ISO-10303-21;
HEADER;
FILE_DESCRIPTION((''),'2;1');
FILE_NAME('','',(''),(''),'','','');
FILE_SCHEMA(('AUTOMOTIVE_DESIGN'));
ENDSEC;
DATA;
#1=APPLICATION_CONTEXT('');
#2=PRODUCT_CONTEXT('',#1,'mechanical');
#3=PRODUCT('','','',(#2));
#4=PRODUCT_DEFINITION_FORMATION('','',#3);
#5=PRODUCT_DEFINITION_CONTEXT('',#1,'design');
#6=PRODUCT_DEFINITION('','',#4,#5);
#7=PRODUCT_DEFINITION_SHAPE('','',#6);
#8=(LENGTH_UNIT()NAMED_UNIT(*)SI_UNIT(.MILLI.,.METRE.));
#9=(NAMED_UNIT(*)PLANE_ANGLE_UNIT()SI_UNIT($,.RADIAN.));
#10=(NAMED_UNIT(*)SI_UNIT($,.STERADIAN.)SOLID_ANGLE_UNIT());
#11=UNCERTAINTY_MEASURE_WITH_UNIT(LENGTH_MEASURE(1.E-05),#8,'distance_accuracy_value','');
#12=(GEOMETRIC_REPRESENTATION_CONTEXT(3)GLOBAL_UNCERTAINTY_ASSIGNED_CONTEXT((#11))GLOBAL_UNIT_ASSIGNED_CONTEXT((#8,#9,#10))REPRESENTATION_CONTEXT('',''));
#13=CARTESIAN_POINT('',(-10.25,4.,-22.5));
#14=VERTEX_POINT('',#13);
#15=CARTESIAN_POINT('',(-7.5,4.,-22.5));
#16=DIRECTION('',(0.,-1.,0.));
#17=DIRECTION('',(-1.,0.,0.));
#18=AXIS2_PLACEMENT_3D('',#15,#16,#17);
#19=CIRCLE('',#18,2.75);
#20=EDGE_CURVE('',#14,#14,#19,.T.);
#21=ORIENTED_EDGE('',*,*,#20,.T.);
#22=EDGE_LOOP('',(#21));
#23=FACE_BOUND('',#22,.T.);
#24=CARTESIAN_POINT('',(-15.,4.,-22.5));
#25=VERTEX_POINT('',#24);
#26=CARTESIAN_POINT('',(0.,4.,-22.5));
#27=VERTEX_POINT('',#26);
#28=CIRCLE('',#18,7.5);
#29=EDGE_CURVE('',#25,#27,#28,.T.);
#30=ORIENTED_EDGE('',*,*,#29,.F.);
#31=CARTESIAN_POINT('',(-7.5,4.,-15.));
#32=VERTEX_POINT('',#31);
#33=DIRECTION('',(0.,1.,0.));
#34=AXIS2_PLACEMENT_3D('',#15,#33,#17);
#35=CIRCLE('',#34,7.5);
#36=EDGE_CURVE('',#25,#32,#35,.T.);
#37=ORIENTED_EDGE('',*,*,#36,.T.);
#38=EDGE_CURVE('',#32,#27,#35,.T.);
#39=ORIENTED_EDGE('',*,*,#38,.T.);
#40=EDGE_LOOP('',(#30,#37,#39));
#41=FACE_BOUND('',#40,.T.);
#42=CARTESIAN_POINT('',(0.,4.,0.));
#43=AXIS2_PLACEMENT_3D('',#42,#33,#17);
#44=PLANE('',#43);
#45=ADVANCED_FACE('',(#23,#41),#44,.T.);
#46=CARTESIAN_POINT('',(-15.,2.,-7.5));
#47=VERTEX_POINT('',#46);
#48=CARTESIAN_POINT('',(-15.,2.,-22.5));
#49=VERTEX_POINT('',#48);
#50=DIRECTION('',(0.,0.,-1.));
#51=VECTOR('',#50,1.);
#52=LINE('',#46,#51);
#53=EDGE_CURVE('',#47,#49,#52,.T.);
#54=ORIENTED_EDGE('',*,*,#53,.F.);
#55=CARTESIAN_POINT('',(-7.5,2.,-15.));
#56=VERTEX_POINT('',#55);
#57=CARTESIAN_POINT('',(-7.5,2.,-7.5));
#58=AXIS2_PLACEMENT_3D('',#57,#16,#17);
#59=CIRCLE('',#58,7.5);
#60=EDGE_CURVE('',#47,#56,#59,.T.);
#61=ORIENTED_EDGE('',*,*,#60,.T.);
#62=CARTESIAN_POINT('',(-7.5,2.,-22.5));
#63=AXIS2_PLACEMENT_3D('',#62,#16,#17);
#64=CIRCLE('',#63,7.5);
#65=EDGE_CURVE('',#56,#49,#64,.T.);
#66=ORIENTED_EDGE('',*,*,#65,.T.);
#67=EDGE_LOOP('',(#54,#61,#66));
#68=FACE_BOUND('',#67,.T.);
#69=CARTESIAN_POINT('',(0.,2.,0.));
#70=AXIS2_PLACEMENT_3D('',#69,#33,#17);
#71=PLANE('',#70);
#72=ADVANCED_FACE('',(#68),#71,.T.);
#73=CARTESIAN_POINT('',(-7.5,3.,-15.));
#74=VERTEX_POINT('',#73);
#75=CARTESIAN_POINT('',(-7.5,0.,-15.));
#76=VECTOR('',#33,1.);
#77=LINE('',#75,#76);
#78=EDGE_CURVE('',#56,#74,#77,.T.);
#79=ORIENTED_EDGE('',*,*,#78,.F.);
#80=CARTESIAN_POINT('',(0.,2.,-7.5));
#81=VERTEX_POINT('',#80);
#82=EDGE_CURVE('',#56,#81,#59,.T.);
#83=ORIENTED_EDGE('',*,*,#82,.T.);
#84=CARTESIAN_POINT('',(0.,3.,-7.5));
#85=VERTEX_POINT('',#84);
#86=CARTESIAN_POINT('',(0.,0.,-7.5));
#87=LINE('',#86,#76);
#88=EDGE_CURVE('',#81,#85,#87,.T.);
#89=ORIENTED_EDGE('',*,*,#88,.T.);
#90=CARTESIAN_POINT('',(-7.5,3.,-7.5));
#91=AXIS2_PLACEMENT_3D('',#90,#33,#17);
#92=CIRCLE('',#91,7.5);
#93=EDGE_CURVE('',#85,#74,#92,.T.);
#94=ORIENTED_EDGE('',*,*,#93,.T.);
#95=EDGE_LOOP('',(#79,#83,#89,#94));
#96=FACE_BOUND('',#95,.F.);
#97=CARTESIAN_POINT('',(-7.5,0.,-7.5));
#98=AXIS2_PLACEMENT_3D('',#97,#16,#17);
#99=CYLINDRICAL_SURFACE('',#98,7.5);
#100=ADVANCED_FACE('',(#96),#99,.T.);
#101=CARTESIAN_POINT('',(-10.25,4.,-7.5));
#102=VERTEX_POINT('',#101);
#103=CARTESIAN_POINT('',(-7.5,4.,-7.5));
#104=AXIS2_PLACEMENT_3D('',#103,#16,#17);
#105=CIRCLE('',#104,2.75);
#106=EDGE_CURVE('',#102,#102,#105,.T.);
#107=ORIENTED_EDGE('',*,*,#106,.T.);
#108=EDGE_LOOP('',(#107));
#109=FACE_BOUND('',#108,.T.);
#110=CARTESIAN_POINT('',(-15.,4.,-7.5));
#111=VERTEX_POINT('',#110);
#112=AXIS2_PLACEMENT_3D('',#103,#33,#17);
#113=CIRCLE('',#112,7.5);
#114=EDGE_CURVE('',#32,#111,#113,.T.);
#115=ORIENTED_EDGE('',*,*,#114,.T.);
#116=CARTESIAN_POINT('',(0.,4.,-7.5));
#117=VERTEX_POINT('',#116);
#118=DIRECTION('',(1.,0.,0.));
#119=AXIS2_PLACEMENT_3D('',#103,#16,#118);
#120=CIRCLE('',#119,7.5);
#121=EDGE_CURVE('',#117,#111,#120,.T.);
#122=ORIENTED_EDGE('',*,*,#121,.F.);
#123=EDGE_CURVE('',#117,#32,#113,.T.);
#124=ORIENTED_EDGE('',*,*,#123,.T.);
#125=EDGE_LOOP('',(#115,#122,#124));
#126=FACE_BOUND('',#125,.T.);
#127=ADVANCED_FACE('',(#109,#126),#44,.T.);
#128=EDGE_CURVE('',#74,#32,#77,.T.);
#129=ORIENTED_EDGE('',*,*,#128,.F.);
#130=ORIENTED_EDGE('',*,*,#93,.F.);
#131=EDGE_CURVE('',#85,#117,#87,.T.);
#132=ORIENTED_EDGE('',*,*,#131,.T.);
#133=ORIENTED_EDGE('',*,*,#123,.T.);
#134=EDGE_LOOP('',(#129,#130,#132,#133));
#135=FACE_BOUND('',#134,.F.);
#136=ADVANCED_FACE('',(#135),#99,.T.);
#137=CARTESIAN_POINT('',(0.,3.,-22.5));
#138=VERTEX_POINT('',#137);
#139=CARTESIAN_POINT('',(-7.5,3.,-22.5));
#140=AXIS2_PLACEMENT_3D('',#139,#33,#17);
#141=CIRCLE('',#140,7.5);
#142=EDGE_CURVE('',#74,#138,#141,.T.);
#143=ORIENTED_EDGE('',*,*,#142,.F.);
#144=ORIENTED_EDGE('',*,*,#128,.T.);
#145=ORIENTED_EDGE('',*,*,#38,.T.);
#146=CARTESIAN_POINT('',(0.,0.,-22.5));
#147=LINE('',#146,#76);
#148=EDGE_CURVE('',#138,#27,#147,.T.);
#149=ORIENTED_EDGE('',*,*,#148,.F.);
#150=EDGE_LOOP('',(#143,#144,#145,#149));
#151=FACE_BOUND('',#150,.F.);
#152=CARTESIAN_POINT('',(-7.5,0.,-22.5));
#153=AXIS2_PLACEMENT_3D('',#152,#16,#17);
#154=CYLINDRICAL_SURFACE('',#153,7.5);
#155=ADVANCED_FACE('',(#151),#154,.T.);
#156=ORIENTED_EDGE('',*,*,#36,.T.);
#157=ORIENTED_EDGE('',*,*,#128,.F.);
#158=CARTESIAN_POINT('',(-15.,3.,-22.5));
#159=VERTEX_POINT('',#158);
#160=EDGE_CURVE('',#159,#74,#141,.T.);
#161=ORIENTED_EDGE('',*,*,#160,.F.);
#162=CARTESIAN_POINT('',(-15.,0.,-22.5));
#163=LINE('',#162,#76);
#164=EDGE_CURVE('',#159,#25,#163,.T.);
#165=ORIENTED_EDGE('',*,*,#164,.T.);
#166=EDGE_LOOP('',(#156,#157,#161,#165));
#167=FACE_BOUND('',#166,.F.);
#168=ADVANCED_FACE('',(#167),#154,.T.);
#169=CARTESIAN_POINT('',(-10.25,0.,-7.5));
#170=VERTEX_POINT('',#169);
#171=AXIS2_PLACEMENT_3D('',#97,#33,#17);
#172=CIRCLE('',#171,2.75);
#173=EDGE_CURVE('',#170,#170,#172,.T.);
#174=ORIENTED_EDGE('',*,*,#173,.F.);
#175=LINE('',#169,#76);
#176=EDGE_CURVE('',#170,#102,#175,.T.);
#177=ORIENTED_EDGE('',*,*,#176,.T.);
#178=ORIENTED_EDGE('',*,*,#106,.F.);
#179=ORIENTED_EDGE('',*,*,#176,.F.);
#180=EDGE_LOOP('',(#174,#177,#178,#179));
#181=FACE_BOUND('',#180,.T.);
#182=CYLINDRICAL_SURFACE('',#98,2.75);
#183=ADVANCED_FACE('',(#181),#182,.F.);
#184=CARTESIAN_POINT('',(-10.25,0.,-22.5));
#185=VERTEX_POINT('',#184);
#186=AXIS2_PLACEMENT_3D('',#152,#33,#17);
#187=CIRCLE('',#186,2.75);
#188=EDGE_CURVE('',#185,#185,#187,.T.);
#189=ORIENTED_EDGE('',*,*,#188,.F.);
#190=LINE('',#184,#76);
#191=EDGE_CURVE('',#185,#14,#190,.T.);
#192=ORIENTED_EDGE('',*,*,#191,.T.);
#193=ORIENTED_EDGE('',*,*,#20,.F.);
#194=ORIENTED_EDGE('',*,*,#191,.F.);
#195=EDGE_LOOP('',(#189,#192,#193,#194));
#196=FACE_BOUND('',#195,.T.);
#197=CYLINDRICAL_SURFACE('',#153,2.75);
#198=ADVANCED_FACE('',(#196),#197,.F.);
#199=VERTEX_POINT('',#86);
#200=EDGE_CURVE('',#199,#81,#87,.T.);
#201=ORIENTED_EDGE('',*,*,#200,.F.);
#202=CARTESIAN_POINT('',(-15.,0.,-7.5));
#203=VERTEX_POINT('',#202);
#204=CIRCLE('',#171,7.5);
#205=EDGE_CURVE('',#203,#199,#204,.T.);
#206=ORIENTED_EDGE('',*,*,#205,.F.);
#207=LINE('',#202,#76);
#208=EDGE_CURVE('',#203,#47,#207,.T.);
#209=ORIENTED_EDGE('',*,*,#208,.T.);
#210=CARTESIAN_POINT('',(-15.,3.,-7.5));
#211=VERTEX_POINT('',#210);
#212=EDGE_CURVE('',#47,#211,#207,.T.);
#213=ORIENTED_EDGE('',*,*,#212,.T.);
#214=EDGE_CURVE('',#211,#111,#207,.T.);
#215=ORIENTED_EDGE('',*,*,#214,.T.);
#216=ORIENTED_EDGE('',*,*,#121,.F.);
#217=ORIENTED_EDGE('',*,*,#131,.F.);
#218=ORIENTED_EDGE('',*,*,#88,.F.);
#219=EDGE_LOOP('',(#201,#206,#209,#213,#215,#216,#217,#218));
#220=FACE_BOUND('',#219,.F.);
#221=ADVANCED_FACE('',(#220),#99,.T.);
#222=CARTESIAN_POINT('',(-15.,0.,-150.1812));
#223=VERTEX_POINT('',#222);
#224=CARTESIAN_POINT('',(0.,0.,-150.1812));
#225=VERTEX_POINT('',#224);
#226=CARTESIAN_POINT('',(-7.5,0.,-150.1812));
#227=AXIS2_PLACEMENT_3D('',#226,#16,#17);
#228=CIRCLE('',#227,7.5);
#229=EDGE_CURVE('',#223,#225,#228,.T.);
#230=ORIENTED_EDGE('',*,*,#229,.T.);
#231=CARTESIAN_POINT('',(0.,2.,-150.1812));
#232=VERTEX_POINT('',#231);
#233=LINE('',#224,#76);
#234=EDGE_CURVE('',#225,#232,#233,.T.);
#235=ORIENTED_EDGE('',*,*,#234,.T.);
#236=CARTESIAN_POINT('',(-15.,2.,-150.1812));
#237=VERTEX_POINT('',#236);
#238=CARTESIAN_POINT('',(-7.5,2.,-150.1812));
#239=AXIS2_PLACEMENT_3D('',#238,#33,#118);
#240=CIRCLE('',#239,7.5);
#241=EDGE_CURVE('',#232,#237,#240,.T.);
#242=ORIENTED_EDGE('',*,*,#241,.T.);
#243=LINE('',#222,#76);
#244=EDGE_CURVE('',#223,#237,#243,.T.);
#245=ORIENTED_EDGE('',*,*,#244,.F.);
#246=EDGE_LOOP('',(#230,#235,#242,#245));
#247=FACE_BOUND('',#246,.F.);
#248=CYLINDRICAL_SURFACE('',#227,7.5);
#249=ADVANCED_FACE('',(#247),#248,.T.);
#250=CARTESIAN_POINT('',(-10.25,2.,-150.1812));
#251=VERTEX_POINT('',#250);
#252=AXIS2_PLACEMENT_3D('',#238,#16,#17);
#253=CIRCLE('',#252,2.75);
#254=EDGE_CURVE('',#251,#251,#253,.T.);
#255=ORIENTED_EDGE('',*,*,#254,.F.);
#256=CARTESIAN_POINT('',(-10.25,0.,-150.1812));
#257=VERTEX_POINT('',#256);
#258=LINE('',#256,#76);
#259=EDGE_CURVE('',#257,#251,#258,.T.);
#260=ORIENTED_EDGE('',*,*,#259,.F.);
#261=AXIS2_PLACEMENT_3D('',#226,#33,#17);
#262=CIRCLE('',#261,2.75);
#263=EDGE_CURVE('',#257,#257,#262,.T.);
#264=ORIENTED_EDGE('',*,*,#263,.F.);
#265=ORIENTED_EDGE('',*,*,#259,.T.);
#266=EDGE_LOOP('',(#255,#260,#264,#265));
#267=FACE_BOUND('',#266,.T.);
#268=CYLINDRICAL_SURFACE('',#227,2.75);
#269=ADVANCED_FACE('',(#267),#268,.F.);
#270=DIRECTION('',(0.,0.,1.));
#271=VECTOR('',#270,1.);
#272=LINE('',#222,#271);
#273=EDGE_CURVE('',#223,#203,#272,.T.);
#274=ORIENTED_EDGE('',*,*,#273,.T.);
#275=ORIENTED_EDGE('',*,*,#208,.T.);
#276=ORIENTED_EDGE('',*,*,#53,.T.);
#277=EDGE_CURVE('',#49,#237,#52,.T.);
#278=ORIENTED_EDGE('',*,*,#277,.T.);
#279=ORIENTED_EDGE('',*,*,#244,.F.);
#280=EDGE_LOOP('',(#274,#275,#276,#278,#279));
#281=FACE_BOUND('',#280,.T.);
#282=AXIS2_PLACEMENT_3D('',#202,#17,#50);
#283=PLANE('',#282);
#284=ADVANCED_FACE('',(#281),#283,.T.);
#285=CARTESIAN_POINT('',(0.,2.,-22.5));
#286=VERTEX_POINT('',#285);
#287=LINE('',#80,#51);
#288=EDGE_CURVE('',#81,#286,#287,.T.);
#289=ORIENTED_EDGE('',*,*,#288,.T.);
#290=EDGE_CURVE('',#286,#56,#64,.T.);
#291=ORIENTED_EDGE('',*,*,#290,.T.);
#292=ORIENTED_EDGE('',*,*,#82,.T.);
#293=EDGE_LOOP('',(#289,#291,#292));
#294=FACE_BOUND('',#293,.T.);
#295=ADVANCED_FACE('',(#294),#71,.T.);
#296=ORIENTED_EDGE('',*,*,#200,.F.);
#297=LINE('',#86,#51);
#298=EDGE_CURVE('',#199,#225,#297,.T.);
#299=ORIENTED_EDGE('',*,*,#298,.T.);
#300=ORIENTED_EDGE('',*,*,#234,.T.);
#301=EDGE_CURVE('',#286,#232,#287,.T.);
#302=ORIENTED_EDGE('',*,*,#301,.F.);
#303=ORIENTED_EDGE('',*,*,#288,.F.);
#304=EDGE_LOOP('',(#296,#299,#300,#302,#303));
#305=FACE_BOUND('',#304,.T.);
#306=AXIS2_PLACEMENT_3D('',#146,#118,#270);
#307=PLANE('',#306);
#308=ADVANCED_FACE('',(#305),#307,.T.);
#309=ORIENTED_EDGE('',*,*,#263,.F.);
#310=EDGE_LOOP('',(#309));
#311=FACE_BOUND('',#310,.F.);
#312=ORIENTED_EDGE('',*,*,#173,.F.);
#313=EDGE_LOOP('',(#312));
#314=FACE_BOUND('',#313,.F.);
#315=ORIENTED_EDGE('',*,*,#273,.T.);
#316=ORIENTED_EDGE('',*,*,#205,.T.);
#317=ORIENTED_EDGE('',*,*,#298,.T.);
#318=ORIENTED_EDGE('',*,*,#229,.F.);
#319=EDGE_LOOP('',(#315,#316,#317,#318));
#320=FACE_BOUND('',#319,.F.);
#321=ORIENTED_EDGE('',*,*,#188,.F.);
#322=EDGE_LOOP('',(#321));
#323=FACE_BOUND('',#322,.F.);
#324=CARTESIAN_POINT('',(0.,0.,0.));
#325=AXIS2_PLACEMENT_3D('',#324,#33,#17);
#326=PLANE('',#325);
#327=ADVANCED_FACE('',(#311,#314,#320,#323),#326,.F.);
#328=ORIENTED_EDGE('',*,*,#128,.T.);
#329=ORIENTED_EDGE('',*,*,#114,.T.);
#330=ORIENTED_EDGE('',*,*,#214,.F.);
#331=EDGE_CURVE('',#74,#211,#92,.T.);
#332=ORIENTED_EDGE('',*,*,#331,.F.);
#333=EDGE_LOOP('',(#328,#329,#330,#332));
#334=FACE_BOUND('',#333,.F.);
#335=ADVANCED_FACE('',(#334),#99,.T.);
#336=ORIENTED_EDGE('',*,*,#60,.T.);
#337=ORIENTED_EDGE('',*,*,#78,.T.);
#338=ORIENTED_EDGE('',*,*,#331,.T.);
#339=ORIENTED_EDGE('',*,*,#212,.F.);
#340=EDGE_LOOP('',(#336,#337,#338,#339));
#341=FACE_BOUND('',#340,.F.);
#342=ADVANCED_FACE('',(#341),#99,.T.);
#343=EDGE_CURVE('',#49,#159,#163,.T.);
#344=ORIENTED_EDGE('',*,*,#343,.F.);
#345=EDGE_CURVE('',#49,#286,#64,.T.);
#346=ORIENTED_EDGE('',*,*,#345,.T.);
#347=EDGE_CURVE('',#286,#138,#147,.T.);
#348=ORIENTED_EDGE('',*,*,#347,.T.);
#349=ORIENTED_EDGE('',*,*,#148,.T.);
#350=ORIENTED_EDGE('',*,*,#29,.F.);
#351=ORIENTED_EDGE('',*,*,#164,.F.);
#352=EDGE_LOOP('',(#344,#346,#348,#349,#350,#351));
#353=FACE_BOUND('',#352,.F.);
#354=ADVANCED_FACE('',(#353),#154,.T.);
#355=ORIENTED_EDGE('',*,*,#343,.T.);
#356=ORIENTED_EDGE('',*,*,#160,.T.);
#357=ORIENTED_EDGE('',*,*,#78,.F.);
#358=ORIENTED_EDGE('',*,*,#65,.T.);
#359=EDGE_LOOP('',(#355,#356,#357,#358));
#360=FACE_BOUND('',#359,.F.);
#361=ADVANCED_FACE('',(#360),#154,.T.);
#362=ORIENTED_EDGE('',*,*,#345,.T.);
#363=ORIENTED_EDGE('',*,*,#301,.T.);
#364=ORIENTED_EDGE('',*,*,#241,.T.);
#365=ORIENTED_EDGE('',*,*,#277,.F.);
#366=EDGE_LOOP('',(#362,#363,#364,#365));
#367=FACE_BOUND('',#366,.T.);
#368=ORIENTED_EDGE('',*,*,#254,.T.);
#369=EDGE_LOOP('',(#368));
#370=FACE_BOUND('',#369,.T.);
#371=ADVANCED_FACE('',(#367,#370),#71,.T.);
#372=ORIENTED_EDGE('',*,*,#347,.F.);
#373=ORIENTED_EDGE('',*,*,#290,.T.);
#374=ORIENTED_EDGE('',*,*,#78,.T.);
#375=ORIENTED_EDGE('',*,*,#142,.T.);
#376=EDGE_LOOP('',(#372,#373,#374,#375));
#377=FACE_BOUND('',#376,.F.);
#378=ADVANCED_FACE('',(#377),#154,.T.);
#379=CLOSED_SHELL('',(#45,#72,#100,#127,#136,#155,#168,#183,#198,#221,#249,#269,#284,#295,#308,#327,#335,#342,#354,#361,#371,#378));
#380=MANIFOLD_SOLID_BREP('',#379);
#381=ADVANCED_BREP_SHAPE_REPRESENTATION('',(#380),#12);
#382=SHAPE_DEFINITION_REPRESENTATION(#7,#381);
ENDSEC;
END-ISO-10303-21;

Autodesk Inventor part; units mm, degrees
ref_plane "YZ Plane" through (0, 0, 0) normal (1, 0, 0) x (0, 1, 0)
ref_plane "XZ Plane" through (0, 0, 0) normal (0, 1, 0) x (-1, 0, 0)
ref_plane "XY Plane" through (0, 0, 0) normal (0, 0, 1) x (1, 0, 0)
sketch "Sketch1" plane through (0, 0, 0) normal (0, 1, 0) x (-1, 0, 0)
  line L0 (0, 0) -> (15, 0)
  line L1 (15, 0) -> (15, -30)
  line L2 (15, -30) -> (0, -30)
  line L3 (0, -30) -> (0, 0)
  line L4 (7.5, 0) -> (7.5, -157.6812)
  line L5 (7.5, 0) -> (165.1812, 0) construction
  line L6 (7.5, -157.6812) -> (7.5, -150.1812)
  circle A0 centre (7.5, -150.1812) radius 7.5
  circle A1 centre (7.5, -7.5) radius 7.5
  circle A2 centre (7.5, -22.5) radius 7.5
  circle A3 centre (7.5, -7.5) radius 2.75
  line L7 (15, 0) -> (0, 0)
  line L8 (0, 0) -> (0, -157.6812)
  line L9 (0, -157.6812) -> (15, -157.6812)
  line L10 (15, -157.6812) -> (15, 0)
  circle A4 centre (7.5, -150.1812) radius 2.75
  circle A5 centre (7.5, -22.5) radius 2.75
  point P0 (0, -150.1812)
  point P1 (15, -150.1812)
  point P2 (15, -7.5)
  point P3 (0, -7.5)
  point P4 (7.5, -15)
  dimension "d9" = 15
  dimension "d10" = 30
  dimension "d11" = 157.6812
  dimension "d12" = 90
  dimension "d13" = 7.5
  dimension "d14" = 15
  dimension "d15" = 15
  dimension "d16" = 15
  dimension "d17" = 5.5
  dimension "d18" = 5.5
  dimension "d19" = 5.5
extrude "Extrusion1" add sketch "Sketch1" along normal blind 2 contours A1 L4 A3 | L4 A3 A1 | A1 A2 L3 | L1 A2 A1 | A2 L2 L3 | A2 L4 A5 | A2 L4 A5 | L1 L2 A2 | L2 L4 A0 L8 | L2 L10 A0 L4 | A0 L4 A4 | A0 L4 A4
extrude "Extrusion2" add sketch "Sketch1" along normal blind 3 contours A1 L4 A3 | L4 A3 A1 | A2 L4 A5 | A2 L4 A5
extrude "Extrusion3" cut sketch "Sketch1" along normal mid plane 2 contours A3 L4 | L4 A3 | A5 L4 | L4 A5 | A4 L4 | L4 A4
extrude "Extrusion4" add sketch "Sketch1" along normal blind 4 contours A1 L4 A3 | L4 A3 A1 | A2 L4 A5 | A2 L4 A5
properties part number "közeplsoszalag1"
